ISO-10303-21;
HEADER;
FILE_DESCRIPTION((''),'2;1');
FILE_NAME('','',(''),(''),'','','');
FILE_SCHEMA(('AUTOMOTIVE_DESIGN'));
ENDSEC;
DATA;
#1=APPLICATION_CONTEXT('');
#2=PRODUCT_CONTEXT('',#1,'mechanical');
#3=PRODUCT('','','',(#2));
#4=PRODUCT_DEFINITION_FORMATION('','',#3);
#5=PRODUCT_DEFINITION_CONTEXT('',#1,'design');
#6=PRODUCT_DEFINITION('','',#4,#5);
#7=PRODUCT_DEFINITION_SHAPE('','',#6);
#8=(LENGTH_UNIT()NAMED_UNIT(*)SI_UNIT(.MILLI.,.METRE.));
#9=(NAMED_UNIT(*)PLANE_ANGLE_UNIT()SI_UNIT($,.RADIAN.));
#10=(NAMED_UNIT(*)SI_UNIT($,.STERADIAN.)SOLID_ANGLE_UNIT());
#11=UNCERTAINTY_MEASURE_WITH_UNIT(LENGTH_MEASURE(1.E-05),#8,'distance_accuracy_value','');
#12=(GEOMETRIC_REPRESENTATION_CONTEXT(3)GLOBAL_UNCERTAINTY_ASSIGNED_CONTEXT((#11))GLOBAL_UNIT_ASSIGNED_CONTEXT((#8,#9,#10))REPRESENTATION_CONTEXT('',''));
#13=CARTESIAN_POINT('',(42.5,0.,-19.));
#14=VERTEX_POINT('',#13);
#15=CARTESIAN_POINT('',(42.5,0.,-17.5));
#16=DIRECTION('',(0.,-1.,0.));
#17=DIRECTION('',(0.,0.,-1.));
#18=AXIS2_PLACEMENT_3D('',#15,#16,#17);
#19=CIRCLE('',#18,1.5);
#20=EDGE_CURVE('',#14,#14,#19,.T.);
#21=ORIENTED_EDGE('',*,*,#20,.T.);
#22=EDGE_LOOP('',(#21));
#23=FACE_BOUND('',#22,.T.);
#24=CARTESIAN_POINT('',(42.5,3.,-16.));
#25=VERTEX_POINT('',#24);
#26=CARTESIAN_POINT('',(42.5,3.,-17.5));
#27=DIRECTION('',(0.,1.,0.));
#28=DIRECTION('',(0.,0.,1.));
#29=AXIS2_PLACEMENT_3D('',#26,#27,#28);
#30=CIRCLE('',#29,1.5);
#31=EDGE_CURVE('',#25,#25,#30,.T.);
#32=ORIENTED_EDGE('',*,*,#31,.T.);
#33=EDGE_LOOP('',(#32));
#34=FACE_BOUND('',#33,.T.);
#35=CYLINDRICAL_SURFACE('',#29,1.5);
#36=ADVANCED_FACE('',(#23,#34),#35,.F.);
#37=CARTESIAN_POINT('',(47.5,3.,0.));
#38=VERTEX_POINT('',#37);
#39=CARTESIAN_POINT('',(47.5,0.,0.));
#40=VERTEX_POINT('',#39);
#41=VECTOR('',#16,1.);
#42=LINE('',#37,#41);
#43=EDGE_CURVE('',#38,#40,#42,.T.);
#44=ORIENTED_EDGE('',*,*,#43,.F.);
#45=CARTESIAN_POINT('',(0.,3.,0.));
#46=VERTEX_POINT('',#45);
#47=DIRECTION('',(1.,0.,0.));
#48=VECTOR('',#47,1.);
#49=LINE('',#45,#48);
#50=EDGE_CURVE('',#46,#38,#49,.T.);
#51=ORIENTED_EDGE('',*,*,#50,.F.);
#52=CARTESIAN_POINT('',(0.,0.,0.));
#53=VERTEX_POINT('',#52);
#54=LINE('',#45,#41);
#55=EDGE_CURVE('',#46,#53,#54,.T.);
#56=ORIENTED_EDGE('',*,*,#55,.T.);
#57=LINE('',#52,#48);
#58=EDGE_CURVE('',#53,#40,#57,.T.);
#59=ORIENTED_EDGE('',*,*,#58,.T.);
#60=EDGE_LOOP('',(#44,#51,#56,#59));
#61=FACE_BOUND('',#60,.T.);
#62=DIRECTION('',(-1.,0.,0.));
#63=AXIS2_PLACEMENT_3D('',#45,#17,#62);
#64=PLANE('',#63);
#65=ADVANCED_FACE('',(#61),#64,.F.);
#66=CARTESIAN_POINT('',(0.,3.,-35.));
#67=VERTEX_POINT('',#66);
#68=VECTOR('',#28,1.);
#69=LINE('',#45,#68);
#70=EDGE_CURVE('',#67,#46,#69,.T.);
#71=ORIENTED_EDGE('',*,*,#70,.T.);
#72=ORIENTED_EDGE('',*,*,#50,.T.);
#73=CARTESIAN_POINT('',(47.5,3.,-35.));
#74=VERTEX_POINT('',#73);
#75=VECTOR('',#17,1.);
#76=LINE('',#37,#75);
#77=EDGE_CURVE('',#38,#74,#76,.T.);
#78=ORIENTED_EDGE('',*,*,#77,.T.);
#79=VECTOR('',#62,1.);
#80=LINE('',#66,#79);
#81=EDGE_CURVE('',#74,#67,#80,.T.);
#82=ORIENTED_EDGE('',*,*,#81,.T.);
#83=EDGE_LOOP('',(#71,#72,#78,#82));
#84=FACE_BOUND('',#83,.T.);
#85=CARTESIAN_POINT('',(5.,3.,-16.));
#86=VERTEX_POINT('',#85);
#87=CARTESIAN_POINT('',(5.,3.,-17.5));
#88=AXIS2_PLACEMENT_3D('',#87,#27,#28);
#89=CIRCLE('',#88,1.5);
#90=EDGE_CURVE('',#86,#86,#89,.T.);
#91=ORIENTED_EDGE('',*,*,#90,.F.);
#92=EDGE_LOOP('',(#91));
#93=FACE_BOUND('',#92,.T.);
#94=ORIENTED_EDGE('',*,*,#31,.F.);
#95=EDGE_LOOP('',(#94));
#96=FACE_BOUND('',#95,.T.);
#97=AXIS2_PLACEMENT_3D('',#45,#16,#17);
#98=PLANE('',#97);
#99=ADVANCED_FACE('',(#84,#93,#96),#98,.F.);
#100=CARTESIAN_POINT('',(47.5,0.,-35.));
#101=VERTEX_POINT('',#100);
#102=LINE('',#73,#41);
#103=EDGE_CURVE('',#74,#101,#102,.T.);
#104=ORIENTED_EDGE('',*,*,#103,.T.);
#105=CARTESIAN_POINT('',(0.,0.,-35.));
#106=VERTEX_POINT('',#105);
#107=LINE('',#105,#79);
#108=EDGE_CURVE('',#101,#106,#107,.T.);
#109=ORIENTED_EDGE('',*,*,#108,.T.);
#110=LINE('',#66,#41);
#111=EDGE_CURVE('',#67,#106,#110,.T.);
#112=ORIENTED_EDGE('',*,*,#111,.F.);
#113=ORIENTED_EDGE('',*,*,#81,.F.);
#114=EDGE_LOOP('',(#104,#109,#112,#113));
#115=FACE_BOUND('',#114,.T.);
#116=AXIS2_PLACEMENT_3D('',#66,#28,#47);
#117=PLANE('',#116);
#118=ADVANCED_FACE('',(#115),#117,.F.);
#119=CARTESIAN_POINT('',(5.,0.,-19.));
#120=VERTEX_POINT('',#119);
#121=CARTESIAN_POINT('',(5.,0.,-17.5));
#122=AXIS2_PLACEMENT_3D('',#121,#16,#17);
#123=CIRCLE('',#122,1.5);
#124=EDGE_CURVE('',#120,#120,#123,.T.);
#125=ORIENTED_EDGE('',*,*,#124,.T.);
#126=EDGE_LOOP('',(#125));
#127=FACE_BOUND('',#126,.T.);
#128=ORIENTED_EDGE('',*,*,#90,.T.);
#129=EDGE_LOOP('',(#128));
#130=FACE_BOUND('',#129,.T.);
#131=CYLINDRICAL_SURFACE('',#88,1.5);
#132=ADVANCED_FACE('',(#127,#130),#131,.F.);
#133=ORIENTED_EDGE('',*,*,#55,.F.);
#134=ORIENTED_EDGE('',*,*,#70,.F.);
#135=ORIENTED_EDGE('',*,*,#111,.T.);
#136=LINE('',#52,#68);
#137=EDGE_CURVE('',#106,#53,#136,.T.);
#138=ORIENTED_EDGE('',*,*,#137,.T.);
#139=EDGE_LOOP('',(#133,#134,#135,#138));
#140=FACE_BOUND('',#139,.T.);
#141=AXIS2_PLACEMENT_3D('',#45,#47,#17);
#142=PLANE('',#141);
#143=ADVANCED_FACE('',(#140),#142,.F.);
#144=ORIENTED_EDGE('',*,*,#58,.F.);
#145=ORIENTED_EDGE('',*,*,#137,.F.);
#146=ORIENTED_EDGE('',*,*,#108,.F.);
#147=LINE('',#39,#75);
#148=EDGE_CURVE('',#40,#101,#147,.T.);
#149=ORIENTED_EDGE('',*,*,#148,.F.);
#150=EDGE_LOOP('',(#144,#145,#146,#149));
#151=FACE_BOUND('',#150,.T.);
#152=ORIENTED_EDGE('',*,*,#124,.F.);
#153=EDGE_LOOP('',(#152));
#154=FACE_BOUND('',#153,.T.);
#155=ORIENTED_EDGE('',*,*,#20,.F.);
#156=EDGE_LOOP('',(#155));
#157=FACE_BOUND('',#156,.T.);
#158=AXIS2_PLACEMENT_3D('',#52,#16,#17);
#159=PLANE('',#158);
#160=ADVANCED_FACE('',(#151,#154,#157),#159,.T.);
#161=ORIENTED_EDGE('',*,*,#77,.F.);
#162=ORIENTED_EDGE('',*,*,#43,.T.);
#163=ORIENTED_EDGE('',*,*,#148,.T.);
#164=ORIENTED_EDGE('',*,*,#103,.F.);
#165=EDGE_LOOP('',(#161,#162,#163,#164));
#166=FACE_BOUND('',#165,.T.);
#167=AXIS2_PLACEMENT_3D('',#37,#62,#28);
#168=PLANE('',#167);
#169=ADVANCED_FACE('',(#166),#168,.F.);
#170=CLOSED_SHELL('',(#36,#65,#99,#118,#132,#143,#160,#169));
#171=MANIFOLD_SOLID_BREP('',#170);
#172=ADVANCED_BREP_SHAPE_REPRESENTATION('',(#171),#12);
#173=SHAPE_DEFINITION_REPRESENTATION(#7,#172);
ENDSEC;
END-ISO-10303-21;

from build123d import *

# Parameters (mm, degrees)
SKETCH2_W                 = 47.5
SKETCH2_H                 = 35
BOSS_EXTRUDE1_DEPTH       = 3
F_3_0MM_DOWEL_HOLE1_D     = 3
F_3_0MM_DOWEL_HOLE1_DEPTH = 3


with BuildPart() as part:
    # Sketch2 → Boss-Extrude1 (new body)
    with BuildSketch(Plane(origin=(0, 0, 0), x_dir=(1, 0, 0), z_dir=(0, 1, 0))):
        with Locations((23.75, 17.5)):
            Rectangle(SKETCH2_W, SKETCH2_H)
    extrude(amount=BOSS_EXTRUDE1_DEPTH)

    # Ø3.0mm Dowel Hole1
    with Locations(Plane(origin=(0, 3, 0), x_dir=(1, 0, 0), z_dir=(0, 1, 0))):
        with Locations((5, 17.5), (42.5, 17.5)):
            Hole(F_3_0MM_DOWEL_HOLE1_D / 2, depth=F_3_0MM_DOWEL_HOLE1_DEPTH)


solid = part.part
